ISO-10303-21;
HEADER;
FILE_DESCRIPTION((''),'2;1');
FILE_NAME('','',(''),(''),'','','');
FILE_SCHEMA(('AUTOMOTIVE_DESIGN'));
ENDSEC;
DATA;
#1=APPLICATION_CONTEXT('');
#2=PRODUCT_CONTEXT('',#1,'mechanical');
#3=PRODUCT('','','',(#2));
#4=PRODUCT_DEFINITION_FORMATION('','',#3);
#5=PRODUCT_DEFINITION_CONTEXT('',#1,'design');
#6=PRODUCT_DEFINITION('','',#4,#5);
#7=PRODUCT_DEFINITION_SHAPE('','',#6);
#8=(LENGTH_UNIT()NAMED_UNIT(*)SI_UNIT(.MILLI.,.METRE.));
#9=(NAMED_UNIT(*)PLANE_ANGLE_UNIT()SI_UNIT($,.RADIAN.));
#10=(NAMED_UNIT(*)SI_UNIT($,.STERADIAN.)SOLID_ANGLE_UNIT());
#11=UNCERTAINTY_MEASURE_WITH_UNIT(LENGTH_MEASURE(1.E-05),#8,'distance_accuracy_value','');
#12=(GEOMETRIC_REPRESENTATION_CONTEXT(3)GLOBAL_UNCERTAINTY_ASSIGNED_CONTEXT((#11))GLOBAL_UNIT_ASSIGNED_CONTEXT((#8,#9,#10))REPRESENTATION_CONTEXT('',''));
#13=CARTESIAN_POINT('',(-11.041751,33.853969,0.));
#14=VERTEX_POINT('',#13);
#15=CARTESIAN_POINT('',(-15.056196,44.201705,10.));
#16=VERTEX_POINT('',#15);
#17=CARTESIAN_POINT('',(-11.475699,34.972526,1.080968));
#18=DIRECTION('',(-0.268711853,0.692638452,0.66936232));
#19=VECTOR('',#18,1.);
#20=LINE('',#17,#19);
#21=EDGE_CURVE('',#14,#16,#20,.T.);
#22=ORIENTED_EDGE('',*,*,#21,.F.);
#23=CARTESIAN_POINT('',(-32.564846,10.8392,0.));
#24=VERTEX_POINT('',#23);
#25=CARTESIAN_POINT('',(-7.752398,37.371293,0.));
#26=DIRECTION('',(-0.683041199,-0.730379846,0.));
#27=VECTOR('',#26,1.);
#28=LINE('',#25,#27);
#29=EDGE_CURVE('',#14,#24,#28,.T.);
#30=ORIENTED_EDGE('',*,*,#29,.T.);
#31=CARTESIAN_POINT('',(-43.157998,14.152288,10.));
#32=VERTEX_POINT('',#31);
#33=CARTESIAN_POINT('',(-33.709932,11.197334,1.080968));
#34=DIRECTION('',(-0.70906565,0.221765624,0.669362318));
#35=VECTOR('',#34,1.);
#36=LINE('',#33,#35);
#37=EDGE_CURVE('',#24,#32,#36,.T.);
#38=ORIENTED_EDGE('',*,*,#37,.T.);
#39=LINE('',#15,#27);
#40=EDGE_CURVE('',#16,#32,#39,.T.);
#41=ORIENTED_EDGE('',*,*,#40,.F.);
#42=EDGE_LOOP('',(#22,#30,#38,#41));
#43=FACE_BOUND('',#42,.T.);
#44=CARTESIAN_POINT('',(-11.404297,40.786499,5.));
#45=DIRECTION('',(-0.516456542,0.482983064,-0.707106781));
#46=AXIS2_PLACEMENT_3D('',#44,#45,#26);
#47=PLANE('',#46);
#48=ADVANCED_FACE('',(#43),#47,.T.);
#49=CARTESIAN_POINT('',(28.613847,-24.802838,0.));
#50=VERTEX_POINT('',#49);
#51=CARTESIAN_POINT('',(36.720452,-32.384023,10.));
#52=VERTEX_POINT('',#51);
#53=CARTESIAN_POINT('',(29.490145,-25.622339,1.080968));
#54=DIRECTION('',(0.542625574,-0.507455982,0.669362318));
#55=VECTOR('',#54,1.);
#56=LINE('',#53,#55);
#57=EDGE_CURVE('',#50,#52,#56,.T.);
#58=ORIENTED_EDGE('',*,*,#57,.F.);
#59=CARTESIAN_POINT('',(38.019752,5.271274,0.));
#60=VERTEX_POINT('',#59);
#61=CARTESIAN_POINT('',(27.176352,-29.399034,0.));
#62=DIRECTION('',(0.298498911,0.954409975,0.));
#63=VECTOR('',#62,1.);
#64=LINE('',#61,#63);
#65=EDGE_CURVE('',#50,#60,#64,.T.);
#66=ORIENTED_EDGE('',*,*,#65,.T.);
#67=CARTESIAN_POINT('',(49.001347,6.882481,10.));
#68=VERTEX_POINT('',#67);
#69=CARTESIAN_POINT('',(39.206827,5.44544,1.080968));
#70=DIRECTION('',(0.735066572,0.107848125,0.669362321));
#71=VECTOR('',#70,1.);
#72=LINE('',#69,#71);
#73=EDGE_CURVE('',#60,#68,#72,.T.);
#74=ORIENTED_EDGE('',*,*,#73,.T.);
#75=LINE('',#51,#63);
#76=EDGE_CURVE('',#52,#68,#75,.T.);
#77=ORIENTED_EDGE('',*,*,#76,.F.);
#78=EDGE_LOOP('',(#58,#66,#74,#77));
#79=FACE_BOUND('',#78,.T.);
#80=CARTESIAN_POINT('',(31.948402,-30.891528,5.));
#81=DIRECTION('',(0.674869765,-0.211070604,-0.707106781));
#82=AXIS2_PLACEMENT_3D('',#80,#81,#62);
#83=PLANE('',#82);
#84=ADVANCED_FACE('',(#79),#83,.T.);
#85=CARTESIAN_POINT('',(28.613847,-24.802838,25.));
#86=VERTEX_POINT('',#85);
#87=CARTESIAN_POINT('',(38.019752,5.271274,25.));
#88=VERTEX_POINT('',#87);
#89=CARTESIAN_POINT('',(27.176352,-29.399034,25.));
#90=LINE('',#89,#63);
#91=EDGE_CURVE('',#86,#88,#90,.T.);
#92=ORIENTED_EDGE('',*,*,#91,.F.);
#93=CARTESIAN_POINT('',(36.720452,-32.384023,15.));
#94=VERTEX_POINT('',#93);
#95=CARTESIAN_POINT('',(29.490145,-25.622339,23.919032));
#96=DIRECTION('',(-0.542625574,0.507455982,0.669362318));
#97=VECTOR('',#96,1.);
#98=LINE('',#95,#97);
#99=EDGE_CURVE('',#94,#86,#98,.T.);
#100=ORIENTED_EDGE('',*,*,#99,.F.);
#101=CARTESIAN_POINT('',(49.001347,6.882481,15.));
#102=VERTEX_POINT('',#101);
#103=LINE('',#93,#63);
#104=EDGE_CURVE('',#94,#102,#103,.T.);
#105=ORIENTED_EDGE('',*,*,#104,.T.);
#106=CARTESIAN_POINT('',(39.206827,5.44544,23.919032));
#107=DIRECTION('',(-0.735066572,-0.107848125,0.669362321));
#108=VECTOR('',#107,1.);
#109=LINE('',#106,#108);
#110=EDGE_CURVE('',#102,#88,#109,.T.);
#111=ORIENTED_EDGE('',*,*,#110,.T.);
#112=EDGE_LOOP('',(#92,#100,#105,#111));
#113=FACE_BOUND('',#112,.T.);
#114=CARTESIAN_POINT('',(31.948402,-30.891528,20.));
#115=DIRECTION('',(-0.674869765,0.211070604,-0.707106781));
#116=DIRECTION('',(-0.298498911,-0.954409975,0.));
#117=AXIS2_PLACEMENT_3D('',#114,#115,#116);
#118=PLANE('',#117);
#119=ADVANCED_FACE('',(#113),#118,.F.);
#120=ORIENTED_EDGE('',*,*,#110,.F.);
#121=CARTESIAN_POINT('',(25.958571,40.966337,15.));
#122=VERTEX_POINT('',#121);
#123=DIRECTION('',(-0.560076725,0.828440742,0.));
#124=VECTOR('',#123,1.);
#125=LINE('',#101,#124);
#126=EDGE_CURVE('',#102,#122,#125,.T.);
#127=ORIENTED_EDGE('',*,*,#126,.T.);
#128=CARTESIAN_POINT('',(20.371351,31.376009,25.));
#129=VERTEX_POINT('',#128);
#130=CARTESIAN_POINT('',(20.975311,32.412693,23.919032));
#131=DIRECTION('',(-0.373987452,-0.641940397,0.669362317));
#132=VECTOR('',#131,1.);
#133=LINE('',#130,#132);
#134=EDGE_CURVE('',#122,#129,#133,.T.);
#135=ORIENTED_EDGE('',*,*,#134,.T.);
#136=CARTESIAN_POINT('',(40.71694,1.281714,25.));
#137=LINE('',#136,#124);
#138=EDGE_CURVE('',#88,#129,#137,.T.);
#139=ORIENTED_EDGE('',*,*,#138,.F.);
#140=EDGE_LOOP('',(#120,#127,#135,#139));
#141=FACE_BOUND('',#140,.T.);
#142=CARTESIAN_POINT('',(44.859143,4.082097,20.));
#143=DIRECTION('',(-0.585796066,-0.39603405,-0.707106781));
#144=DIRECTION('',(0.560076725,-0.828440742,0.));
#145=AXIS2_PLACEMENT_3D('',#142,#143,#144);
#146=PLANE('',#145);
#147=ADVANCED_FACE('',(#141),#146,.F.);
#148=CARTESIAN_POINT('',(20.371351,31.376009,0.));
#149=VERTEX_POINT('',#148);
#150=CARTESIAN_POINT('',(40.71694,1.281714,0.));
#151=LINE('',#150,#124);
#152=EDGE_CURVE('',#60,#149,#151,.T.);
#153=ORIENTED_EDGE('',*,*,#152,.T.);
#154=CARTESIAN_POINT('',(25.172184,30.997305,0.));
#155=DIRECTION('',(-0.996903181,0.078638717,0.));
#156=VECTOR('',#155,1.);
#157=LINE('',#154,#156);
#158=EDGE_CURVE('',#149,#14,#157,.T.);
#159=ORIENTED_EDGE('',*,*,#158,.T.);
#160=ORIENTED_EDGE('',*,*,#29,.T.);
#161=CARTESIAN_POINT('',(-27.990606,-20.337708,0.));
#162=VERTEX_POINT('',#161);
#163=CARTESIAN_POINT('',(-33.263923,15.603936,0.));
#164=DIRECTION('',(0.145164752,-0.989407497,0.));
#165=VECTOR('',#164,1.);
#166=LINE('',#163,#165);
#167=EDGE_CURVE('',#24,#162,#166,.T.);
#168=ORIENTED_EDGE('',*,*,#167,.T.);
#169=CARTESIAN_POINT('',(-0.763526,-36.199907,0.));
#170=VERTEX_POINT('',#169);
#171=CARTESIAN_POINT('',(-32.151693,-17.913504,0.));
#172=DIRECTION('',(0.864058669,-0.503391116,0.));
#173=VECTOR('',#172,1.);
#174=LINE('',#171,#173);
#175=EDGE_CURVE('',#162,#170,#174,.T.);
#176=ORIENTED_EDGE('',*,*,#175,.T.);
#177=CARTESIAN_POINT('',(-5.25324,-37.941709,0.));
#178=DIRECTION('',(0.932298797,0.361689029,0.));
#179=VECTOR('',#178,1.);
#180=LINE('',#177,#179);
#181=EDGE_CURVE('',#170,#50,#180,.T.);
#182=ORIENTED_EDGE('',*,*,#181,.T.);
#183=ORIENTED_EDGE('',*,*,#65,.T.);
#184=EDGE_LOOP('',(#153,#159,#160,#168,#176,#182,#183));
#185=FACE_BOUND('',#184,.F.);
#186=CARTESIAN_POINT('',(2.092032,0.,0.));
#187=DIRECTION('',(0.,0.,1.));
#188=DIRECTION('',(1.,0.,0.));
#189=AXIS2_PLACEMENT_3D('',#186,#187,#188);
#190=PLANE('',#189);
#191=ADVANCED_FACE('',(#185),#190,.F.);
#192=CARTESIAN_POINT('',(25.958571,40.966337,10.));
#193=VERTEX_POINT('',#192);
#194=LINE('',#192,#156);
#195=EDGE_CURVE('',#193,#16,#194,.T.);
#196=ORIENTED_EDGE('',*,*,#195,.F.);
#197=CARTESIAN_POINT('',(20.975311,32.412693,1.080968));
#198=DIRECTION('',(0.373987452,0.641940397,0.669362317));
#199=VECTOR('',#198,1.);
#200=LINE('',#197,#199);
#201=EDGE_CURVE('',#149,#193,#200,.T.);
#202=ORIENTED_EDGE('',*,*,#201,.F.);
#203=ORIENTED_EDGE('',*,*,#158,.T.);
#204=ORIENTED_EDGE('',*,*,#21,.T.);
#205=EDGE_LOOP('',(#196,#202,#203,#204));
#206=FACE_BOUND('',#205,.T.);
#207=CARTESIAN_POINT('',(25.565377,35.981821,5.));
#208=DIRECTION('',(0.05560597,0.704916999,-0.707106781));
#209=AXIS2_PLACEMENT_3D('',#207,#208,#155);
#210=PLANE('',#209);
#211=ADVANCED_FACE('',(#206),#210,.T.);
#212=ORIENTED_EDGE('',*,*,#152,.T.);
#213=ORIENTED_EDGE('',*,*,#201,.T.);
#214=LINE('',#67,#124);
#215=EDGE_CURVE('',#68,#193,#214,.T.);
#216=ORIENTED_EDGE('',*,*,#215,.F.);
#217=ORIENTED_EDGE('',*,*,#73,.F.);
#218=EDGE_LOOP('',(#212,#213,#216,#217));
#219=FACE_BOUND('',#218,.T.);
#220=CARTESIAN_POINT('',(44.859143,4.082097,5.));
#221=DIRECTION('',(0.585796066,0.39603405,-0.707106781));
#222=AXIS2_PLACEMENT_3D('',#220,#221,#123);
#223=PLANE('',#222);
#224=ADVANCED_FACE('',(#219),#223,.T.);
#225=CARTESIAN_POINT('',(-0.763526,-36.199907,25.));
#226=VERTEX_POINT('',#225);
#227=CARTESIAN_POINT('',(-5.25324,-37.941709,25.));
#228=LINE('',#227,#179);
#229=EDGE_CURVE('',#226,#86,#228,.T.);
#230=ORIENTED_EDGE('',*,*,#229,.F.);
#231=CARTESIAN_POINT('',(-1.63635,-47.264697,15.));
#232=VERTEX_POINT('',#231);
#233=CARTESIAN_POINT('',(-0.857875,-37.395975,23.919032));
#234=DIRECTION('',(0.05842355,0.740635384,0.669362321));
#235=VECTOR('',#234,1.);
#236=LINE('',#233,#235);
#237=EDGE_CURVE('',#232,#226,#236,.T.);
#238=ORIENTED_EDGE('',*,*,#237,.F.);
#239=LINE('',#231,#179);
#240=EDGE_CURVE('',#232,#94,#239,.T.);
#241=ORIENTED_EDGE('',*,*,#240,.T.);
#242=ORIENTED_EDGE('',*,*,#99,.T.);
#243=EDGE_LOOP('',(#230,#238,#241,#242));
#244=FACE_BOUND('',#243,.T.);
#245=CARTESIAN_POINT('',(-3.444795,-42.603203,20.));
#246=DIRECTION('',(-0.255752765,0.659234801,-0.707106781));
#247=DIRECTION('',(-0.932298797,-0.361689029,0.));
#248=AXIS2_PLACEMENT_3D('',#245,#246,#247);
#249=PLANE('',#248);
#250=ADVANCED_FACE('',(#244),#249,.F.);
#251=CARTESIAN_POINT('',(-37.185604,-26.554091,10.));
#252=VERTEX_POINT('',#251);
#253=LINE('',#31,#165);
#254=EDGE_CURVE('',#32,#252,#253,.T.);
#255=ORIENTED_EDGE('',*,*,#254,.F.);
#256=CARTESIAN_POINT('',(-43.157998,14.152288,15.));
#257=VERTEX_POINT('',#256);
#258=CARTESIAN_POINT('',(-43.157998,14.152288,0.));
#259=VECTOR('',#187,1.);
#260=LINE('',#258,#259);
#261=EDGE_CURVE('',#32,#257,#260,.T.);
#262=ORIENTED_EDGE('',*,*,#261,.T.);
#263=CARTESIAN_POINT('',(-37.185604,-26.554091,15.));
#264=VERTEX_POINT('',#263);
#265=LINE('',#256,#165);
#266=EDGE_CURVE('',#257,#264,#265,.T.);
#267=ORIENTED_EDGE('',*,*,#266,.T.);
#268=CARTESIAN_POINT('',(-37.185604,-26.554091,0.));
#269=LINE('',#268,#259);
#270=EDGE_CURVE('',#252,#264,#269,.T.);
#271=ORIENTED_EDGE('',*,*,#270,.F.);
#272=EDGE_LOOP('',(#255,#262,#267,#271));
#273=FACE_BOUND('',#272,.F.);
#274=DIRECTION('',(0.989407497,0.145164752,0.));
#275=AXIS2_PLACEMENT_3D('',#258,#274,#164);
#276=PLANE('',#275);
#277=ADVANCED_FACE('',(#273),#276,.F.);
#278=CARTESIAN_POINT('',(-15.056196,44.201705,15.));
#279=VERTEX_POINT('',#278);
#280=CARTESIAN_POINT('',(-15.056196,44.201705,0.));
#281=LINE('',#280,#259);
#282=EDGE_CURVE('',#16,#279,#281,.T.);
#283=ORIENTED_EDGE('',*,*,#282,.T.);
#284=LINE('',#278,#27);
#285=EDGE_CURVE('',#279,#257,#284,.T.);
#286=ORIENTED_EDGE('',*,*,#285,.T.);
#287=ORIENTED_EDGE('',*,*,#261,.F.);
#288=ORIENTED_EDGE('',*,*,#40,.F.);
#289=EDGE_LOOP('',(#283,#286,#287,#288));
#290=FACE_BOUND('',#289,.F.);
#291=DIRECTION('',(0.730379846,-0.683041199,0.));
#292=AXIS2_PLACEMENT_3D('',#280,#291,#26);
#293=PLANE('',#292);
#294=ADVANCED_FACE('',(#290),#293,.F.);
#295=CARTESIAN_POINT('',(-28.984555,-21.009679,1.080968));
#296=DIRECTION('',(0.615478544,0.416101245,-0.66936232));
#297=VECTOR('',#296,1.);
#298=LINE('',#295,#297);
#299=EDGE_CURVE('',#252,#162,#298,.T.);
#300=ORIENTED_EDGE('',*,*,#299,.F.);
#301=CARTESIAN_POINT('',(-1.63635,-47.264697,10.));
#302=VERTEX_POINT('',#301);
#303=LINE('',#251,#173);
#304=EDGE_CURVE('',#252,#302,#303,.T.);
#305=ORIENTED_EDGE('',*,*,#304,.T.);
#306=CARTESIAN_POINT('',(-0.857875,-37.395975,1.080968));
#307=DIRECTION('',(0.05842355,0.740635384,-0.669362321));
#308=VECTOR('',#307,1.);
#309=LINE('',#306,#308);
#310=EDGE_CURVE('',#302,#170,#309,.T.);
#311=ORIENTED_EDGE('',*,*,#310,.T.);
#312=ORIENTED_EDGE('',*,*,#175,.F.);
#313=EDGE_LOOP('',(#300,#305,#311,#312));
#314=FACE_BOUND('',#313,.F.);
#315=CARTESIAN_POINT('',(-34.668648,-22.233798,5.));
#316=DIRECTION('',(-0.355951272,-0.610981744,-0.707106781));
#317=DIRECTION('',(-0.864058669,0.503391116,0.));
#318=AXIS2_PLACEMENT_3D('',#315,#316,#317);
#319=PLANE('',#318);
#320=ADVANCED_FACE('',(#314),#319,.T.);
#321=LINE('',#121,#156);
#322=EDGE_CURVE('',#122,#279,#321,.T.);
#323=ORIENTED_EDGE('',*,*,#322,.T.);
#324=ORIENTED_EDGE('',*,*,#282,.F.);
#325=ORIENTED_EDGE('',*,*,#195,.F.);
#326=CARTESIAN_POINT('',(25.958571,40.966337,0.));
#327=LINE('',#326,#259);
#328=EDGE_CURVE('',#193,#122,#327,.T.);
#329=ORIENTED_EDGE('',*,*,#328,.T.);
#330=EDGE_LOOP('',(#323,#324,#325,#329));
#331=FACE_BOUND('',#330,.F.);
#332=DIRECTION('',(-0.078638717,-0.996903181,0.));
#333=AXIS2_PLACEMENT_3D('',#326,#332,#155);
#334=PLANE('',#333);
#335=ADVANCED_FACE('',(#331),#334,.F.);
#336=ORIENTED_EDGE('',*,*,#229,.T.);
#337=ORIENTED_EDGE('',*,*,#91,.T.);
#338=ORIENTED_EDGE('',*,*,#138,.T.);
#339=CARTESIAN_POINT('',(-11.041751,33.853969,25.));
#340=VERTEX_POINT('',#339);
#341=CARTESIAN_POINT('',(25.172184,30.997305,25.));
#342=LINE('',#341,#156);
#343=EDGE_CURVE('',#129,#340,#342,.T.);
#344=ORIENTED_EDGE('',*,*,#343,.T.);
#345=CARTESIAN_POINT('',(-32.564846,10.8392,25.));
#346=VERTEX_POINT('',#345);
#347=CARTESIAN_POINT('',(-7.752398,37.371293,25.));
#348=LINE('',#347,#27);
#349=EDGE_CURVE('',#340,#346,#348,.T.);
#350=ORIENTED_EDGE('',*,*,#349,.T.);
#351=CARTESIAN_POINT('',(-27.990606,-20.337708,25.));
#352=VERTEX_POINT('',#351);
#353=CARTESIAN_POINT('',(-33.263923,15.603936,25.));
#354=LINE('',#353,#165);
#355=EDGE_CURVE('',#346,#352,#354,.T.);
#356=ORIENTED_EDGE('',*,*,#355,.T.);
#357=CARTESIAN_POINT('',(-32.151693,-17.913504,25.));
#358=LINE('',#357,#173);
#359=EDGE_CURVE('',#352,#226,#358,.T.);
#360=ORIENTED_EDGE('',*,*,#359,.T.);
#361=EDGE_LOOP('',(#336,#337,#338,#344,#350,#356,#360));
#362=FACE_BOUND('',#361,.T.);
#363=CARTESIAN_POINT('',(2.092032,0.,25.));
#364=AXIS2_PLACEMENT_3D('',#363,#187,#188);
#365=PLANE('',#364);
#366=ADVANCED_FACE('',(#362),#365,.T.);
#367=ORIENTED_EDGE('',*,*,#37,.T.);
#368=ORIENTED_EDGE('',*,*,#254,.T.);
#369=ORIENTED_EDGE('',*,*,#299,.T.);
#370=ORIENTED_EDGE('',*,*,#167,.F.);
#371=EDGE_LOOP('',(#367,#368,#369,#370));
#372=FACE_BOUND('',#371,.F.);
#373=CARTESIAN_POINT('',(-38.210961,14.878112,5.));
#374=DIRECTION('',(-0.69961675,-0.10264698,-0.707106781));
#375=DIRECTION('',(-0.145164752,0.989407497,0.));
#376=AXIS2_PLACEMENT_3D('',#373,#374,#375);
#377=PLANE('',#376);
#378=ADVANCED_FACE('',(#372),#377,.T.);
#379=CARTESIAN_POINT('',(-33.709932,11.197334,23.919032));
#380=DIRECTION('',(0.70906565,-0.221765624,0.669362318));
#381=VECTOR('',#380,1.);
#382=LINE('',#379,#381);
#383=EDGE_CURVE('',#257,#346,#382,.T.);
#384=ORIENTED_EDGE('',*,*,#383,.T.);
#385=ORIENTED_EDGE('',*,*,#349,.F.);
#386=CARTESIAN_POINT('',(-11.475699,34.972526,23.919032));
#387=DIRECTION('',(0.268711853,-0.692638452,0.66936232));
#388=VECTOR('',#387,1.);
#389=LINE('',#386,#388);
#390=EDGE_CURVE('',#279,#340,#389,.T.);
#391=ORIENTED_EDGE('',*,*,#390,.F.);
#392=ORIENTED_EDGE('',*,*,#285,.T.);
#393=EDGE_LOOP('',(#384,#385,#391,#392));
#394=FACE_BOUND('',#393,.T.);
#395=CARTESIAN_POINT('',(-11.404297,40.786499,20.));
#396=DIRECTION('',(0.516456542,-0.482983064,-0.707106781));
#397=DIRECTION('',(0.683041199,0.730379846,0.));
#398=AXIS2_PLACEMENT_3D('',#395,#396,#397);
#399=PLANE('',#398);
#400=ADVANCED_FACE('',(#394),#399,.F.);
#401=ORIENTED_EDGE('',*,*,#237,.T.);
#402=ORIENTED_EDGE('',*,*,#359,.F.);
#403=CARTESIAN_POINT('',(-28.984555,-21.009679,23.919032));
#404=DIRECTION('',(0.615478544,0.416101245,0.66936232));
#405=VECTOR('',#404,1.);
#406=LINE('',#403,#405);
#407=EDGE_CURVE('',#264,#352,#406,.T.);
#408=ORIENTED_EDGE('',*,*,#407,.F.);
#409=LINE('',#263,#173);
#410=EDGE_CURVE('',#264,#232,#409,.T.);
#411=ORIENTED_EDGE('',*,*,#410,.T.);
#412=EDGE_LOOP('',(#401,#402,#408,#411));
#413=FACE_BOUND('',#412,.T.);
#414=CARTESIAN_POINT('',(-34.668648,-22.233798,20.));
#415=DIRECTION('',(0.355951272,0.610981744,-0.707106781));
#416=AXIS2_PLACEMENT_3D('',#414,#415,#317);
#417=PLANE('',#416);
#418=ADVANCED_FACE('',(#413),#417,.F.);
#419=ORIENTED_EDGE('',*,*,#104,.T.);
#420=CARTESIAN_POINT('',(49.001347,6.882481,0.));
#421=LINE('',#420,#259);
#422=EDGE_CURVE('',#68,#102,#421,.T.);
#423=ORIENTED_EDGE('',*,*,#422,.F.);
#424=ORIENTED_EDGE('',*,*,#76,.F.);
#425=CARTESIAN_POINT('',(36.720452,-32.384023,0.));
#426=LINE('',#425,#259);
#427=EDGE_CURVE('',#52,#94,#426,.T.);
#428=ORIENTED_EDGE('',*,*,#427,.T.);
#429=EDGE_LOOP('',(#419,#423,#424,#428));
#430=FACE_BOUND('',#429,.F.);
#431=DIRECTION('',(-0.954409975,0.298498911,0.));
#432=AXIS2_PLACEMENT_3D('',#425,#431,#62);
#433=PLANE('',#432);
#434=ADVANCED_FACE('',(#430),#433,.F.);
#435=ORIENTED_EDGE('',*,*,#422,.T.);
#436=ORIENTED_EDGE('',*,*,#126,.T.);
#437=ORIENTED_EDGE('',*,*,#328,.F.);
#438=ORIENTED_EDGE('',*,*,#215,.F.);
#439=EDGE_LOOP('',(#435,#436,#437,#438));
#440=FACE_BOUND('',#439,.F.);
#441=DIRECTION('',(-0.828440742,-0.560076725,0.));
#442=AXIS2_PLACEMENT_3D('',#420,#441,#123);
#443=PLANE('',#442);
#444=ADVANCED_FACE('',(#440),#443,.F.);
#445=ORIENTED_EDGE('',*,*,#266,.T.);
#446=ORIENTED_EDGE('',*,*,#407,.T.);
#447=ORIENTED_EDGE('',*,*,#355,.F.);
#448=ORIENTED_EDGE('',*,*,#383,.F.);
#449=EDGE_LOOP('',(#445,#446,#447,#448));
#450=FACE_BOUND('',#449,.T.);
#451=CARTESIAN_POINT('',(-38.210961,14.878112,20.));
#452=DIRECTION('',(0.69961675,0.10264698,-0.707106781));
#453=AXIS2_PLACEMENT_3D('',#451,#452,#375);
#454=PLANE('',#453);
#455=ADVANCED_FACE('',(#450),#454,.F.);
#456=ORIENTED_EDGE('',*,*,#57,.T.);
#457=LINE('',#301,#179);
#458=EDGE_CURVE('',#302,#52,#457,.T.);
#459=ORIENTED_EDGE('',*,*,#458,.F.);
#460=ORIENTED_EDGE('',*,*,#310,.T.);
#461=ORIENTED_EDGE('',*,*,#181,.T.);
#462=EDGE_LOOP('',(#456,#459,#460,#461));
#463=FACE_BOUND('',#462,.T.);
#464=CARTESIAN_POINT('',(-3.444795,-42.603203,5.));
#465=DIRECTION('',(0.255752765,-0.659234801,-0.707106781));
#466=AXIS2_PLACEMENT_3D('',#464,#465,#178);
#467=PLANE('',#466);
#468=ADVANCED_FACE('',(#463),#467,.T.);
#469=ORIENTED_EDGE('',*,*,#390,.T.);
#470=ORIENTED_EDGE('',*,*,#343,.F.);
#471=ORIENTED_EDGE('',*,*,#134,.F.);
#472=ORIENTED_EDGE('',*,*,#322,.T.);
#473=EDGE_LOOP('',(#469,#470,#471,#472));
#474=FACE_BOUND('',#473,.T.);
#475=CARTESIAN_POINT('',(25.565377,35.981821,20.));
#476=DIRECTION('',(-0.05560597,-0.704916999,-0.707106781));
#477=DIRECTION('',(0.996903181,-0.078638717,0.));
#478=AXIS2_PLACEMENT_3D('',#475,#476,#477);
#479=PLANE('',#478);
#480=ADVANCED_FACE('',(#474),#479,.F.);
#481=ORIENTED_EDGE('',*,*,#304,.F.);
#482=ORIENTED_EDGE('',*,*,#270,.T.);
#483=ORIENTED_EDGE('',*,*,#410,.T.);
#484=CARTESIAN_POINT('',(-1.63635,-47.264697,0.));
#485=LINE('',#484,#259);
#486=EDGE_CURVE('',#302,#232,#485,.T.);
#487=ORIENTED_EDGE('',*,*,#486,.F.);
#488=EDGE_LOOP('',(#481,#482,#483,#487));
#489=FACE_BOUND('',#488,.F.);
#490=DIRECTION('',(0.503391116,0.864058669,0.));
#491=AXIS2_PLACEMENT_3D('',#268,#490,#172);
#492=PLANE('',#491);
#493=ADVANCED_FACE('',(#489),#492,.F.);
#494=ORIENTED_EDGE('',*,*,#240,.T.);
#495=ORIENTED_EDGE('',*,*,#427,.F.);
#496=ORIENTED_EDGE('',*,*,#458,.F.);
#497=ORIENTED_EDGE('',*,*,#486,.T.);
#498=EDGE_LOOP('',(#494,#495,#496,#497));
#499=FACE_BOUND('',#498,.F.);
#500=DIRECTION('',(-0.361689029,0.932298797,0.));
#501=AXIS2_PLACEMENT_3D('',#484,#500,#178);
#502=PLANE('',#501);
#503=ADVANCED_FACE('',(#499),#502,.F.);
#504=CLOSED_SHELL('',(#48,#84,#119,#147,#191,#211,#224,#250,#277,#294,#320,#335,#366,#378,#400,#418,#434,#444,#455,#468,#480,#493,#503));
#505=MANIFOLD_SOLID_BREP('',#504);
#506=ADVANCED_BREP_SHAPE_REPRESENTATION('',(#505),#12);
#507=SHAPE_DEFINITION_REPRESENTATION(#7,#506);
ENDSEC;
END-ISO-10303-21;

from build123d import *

# Parameters (mm, degrees)
F1_DEPTH = 25
F2_SIZE  = 10
F3_SIZE  = 10


with BuildPart() as f1:
    # F0 (on Top) → F1 (new body)
    with BuildSketch(Plane.XY):
        Polygon((-37.185604, -26.554091), (-1.63635, -47.264697), (36.720452, -32.384023), (49.001347, 6.882481), (25.958571, 40.966337), (-15.056196, 44.201705), (-43.157998, 14.152288), align=None)
    extrude(amount=F1_DEPTH)

    # F2
    f2_edges = [f1.edges().sort_by_distance(p)[0] for p in [
        (-19.410977, -36.909394, 25),
        (5.451187, 42.584021, 25),
        (-29.107097, 29.176996, 25),
        (-40.171801, -6.200901, 25),
        (17.542051, -39.82436, 25),
        (42.8609, -12.750771, 25),
        (37.479959, 23.924409, 25),
    ]]
    chamfer(f2_edges, length=F2_SIZE)

    # F3
    f3_edges = [f1.edges().sort_by_distance(p)[0] for p in [
        (-29.107097, 29.176996, 0),
        (5.451187, 42.584021, 0),
        (-40.171801, -6.200901, 0),
        (-19.410977, -36.909394, 0),
        (17.542051, -39.82436, 0),
        (42.8609, -12.750771, 0),
        (37.479959, 23.924409, 0),
    ]]
    chamfer(f3_edges, length=F3_SIZE)


solid = f1.part
